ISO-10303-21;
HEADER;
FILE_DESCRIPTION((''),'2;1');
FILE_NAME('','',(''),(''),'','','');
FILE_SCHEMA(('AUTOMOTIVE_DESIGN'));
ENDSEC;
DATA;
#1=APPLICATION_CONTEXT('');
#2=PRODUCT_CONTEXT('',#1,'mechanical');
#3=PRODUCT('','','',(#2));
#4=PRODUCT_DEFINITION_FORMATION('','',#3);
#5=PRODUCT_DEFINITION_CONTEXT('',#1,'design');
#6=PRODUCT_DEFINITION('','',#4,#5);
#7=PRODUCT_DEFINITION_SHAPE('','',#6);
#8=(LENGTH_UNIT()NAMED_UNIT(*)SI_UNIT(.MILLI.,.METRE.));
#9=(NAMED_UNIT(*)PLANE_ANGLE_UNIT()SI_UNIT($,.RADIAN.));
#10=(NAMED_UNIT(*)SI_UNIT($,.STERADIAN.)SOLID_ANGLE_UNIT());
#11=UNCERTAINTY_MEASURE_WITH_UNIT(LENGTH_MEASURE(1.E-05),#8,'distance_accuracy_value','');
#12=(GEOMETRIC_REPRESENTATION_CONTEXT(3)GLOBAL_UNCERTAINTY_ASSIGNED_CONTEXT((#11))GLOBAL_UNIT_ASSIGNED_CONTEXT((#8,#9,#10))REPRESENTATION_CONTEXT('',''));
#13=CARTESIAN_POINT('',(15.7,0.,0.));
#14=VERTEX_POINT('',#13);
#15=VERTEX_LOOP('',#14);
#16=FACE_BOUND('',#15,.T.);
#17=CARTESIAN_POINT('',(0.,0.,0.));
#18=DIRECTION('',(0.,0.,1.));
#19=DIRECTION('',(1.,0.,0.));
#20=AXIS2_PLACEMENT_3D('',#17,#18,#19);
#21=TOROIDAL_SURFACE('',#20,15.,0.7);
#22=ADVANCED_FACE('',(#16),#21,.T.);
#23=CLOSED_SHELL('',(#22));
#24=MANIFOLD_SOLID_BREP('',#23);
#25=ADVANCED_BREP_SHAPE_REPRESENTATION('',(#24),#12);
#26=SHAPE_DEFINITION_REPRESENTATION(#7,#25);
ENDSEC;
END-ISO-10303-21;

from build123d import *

# Parameters (mm, degrees)
SKETCH1_R = 0.7


with BuildPart() as part:
    # Sketch1 → Revolve1 (revolve)
    with BuildSketch(Plane(origin=(0, 0, 0), x_dir=(1, 0, 0), z_dir=(0, 1, 0))):
        with Locations((15, 0)):
            Circle(SKETCH1_R)
    revolve(axis=Axis((0, 0, 0), (0, 0, -1)))


solid = part.part
